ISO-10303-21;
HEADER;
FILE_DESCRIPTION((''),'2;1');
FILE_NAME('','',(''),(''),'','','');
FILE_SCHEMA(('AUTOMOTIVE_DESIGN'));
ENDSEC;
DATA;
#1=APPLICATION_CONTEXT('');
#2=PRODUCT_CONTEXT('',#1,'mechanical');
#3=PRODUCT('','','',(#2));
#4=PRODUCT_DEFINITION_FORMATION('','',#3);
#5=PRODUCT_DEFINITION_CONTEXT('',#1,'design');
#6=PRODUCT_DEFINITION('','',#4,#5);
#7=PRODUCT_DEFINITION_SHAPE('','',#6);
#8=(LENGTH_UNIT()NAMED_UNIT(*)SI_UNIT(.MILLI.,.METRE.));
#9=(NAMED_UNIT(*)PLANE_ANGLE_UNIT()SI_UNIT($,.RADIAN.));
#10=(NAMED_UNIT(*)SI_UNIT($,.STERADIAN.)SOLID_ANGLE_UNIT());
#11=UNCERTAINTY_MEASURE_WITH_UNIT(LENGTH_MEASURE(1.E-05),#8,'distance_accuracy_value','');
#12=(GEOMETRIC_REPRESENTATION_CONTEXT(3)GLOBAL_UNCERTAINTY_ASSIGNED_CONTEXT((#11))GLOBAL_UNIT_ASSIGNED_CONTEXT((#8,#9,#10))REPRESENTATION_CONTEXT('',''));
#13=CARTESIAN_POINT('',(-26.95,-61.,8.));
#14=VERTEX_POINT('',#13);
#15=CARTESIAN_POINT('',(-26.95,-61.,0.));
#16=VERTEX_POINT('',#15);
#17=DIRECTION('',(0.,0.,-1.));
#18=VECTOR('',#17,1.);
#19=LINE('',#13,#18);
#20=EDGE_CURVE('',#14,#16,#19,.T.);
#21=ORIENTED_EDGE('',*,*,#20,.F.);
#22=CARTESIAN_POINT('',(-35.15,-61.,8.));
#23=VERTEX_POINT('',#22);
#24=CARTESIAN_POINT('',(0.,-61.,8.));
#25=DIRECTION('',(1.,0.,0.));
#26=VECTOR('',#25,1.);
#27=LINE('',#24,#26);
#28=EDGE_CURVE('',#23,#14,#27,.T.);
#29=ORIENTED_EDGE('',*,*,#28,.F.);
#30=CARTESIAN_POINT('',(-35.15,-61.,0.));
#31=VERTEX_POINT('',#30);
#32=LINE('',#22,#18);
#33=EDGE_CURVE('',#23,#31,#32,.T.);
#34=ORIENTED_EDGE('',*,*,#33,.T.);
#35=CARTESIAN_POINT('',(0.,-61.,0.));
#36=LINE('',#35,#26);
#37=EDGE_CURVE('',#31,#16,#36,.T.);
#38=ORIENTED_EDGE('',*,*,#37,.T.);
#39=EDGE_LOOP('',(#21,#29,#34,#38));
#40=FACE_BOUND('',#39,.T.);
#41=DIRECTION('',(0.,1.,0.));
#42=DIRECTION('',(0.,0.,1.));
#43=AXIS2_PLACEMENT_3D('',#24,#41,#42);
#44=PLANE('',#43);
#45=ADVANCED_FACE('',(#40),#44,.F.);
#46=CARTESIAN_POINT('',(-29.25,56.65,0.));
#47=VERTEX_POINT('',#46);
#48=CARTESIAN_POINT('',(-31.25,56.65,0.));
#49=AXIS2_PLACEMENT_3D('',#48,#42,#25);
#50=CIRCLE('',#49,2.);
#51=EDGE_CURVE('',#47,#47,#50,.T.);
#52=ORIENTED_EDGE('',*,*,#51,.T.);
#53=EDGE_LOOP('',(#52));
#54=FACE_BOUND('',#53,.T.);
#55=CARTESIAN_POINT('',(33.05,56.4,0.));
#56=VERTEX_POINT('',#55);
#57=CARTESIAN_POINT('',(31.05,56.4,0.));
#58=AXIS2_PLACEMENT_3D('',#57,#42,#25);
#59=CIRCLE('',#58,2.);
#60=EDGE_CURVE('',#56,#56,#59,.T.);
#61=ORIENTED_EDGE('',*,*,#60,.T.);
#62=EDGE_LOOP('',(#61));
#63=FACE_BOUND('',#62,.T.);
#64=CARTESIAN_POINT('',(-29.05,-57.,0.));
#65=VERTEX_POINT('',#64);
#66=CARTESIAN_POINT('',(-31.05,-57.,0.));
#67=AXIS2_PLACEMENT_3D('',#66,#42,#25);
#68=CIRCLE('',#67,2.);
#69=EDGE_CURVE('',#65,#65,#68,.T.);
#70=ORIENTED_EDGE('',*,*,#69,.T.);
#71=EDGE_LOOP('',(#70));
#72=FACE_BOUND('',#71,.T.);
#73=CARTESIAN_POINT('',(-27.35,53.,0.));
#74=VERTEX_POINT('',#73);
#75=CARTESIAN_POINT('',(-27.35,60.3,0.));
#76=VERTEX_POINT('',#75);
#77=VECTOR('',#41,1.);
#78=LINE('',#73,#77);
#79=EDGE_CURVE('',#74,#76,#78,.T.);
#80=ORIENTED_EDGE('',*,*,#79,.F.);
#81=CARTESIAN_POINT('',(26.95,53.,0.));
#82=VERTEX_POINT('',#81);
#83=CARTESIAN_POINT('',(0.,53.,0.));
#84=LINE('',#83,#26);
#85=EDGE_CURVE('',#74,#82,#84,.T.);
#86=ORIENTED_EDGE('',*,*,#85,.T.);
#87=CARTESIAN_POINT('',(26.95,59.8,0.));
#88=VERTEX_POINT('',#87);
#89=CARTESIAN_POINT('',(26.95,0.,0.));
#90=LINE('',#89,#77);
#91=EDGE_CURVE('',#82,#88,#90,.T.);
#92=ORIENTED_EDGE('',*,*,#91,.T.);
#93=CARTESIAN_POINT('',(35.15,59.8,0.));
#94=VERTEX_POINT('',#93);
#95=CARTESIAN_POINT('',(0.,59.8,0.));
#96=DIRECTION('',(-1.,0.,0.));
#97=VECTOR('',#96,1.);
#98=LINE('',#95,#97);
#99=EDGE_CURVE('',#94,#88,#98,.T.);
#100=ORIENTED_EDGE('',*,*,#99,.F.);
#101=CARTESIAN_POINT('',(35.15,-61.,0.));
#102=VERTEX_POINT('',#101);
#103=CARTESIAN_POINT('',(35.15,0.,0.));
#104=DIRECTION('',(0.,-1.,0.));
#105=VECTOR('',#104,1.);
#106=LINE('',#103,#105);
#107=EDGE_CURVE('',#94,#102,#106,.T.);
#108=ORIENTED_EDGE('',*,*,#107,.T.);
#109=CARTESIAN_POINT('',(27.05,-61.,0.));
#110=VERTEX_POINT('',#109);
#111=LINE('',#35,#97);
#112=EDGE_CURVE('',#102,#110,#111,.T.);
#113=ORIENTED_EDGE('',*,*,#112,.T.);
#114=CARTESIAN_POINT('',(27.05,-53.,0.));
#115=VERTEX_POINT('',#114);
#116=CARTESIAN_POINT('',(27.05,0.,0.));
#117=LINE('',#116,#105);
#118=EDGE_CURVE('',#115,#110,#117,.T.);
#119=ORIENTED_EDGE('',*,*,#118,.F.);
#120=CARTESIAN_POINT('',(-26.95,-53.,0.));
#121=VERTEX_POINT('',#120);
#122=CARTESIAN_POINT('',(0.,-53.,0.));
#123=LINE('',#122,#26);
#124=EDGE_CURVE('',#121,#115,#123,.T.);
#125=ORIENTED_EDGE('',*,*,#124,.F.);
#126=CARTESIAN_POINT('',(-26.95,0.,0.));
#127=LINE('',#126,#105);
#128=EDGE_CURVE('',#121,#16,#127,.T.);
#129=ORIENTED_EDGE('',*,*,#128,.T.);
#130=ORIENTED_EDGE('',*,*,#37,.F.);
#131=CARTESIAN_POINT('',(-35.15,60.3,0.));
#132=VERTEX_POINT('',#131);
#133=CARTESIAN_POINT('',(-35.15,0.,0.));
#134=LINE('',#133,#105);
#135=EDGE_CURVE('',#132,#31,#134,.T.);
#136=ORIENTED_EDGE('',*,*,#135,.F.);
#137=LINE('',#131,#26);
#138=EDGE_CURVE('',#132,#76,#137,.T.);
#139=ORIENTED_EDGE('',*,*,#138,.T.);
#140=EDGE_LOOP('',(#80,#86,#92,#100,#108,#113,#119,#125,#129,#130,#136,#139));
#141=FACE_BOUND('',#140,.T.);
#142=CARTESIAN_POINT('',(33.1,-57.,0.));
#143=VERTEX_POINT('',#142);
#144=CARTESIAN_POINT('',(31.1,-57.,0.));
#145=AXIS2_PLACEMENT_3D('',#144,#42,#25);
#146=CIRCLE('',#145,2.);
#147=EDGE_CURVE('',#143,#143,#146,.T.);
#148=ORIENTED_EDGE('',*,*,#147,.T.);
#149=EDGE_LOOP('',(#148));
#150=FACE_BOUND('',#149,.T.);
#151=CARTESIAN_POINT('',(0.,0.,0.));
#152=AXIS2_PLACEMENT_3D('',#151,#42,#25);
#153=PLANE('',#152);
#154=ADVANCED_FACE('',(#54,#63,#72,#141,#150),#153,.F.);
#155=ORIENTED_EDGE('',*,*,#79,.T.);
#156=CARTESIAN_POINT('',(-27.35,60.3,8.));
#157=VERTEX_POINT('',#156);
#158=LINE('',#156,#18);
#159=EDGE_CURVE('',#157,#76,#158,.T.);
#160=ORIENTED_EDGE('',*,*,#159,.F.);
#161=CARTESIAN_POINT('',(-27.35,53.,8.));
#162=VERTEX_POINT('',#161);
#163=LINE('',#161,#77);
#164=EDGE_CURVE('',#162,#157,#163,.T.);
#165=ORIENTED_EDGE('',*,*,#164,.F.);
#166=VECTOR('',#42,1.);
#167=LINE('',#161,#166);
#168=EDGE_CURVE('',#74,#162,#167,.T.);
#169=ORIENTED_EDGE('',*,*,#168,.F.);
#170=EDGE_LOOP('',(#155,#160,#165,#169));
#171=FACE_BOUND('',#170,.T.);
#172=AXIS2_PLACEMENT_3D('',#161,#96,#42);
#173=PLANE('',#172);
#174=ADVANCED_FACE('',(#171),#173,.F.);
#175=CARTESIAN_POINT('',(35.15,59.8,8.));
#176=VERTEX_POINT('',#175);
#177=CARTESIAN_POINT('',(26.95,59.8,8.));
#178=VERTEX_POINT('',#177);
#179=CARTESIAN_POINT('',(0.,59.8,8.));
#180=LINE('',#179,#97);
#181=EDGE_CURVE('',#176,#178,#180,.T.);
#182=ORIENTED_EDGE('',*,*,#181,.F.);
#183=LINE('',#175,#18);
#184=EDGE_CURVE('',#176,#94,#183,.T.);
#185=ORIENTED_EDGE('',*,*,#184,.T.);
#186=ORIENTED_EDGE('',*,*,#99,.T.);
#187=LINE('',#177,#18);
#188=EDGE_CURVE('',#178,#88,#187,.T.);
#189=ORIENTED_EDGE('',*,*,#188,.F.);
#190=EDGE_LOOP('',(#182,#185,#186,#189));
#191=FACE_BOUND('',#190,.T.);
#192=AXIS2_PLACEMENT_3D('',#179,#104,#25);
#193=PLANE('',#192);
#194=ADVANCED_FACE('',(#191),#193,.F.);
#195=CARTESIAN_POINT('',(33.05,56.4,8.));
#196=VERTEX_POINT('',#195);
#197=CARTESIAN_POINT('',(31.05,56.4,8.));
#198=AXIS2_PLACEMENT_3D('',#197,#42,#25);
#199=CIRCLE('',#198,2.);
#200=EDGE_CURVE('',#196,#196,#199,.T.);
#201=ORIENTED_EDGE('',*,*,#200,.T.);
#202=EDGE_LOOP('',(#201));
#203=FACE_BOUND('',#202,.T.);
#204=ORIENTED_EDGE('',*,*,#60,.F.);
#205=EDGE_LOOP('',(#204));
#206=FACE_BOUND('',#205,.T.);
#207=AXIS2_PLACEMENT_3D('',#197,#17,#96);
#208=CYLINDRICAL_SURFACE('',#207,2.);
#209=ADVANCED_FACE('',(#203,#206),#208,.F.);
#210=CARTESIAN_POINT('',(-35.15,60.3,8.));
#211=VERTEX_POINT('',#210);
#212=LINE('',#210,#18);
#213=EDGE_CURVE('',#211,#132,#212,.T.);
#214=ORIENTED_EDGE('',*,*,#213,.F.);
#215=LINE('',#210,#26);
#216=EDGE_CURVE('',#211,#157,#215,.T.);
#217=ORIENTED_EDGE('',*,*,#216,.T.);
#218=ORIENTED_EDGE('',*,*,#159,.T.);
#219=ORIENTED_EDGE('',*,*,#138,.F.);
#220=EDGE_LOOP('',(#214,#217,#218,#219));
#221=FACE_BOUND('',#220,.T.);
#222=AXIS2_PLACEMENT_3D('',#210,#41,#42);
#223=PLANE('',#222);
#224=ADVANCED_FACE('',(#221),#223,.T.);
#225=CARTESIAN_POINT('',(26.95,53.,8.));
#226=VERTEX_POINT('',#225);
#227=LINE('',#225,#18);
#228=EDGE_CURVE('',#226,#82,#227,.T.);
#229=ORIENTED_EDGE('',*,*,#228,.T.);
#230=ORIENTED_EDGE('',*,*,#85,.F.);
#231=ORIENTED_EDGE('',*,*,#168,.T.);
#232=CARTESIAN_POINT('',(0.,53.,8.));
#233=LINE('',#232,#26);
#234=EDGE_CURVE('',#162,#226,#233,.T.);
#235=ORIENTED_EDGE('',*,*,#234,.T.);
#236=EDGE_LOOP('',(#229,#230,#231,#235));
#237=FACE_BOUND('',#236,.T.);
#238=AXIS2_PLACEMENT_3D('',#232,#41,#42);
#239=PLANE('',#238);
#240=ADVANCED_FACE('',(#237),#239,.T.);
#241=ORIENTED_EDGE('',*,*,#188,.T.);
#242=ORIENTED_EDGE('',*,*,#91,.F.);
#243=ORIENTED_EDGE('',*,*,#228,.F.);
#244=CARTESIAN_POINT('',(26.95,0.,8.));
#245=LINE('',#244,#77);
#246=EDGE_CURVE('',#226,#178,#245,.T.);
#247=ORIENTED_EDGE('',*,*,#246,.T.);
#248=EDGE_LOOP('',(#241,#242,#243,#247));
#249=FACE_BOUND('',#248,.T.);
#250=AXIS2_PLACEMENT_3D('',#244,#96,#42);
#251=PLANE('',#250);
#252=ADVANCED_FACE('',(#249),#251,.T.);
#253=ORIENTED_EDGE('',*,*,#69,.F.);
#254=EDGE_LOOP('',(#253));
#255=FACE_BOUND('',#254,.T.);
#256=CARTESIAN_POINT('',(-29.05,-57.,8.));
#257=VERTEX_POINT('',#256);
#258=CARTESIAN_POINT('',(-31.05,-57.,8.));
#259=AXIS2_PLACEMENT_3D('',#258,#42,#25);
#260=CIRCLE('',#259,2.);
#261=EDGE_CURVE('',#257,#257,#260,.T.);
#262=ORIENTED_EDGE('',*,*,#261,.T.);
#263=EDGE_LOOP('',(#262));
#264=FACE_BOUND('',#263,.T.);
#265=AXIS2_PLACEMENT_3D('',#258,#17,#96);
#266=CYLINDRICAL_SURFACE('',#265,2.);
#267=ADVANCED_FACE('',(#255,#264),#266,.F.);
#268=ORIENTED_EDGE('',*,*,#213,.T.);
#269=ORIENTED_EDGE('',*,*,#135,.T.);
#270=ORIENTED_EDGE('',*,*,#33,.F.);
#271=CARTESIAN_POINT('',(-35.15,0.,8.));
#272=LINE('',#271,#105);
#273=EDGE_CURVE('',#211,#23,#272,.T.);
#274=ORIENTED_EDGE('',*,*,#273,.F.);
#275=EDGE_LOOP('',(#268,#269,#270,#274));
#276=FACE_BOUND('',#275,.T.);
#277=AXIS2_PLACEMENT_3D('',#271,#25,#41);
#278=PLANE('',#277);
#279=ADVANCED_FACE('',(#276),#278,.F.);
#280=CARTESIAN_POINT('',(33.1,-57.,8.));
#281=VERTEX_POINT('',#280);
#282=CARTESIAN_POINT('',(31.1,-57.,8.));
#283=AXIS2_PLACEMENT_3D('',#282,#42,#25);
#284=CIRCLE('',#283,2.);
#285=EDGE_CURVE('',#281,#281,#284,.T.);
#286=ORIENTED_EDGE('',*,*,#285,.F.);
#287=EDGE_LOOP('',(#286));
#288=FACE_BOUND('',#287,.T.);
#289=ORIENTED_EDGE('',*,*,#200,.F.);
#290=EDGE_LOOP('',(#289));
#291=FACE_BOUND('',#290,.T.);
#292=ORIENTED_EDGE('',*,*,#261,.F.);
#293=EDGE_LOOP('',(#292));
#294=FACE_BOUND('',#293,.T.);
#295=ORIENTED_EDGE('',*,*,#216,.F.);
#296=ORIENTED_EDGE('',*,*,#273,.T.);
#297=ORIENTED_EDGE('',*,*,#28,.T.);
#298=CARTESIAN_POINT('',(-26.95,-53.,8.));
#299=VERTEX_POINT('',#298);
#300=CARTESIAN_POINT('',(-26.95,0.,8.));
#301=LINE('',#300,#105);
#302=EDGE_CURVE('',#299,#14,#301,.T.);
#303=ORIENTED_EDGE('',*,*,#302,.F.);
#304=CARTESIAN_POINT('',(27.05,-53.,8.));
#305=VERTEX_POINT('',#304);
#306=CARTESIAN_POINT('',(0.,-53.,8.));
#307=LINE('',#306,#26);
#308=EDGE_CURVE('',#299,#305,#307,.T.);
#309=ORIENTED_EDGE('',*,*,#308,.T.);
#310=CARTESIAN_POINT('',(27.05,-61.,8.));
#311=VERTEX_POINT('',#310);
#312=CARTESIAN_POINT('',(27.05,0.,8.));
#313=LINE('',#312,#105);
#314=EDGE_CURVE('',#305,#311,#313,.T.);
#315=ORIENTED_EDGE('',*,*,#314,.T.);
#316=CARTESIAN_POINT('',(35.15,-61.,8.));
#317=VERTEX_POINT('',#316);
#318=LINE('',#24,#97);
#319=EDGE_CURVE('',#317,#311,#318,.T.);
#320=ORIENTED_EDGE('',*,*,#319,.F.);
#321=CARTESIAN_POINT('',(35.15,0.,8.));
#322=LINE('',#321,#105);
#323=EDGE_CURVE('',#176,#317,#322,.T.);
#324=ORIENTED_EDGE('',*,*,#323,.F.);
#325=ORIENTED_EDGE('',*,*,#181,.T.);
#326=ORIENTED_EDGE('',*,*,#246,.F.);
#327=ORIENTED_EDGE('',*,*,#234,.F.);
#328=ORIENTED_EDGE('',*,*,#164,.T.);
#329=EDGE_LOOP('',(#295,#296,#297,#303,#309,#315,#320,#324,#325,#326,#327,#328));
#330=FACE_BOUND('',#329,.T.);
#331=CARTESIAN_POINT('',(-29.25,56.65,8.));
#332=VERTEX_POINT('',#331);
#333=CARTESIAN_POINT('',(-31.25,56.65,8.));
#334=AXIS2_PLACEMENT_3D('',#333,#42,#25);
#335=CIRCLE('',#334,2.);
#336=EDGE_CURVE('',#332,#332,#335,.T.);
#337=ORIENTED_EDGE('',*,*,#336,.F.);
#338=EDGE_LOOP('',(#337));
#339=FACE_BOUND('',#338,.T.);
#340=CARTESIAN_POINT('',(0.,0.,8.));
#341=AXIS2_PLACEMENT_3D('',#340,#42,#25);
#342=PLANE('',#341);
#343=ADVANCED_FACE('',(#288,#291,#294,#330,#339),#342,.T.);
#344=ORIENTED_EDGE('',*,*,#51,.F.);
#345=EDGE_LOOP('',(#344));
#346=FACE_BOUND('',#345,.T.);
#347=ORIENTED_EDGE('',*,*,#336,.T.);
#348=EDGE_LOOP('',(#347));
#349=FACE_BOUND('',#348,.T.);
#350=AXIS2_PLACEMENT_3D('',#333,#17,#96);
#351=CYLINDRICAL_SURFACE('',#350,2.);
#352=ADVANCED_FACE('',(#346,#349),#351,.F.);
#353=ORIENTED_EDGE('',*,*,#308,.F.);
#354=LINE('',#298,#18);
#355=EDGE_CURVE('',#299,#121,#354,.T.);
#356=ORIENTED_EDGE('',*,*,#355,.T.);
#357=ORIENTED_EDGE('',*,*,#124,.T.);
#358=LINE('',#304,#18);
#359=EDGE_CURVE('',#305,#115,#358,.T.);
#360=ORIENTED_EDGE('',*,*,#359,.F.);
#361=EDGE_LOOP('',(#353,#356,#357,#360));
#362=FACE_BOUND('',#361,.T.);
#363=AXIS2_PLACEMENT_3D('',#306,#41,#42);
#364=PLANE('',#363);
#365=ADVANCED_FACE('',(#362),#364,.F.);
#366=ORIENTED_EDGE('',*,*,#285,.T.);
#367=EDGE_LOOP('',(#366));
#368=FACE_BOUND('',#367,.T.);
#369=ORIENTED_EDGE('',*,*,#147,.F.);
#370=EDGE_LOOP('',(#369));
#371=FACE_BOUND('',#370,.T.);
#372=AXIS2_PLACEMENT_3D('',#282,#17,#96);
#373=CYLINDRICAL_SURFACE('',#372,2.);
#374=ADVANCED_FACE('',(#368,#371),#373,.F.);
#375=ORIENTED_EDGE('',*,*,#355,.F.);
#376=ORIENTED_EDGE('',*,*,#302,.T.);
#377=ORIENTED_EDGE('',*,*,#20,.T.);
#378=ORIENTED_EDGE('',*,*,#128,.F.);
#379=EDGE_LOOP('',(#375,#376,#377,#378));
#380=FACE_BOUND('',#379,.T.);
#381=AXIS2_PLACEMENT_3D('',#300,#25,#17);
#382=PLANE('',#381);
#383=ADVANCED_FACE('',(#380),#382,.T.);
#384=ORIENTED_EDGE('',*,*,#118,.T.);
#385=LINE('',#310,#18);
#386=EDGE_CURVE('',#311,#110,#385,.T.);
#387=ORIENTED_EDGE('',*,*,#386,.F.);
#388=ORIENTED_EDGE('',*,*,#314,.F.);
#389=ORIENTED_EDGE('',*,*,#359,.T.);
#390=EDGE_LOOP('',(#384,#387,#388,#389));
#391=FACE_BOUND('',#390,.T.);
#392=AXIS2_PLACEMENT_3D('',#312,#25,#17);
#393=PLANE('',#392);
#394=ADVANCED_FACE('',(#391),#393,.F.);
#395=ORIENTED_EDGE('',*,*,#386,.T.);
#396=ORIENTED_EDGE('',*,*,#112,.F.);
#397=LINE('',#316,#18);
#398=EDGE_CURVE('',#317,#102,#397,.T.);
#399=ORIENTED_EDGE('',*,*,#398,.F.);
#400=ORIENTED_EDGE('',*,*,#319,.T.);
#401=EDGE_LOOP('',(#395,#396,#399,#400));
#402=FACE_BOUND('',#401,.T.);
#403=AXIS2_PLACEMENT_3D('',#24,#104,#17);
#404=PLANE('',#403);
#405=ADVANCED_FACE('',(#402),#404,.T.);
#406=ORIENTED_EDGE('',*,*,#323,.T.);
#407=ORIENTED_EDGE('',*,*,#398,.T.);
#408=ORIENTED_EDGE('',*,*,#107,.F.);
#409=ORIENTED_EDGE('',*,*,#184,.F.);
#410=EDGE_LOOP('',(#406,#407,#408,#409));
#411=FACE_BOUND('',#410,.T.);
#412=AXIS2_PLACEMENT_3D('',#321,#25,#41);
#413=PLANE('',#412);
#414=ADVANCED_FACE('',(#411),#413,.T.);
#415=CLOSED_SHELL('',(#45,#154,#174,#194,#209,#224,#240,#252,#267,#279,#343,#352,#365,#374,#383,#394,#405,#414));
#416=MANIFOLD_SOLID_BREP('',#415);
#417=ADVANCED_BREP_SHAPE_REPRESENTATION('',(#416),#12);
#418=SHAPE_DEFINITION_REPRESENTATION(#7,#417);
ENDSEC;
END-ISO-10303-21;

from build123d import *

# Parameters (mm, degrees)
SKETCH1_W           = 7.8
SKETCH1_H           = 7.3
SKETCH1_R           = 2
SKETCH1_W_2         = 8.2
SKETCH1_H_2         = 8
SKETCH1_H_3         = 6.8
SKETCH1_W_3         = 8.1
BOSS_EXTRUDE1_DEPTH = 8


with BuildPart() as part:
    # Sketch1 → Boss-Extrude1 (new body)
    # profile 1 of 5: a face of its own
    with BuildSketch(Plane.XY):
        with Locations((-31.25, 56.65)):
            Rectangle(SKETCH1_W, SKETCH1_H)
        with Locations((-31.25, 56.65)):
            Circle(SKETCH1_R, mode=Mode.SUBTRACT)
    # profile 2 of 5: a face of its own
    with BuildSketch(Plane.XY):
        Polygon((-27.35, 53), (-35.15, 53), (-35.15, -53), (-26.95, -53), (27.05, -53), (35.15, -53), (35.15, 53), (26.95, 53), align=None)
    # profile 3 of 5: a face of its own
    with BuildSketch(Plane.XY):
        with Locations((-31.05, -57)):
            Rectangle(SKETCH1_W_2, SKETCH1_H_2)
        with Locations((-31.05, -57)):
            Circle(SKETCH1_R, mode=Mode.SUBTRACT)
    # profile 4 of 5: a face of its own
    with BuildSketch(Plane.XY):
        with Locations((31.05, 56.4)):
            Rectangle(SKETCH1_W_2, SKETCH1_H_3)
        with Locations((31.05, 56.4)):
            Circle(SKETCH1_R, mode=Mode.SUBTRACT)
    # profile 5 of 5: a face of its own
    with BuildSketch(Plane.XY):
        with Locations((31.1, -57)):
            Rectangle(SKETCH1_W_3, SKETCH1_H_2)
        with Locations((31.1, -57)):
            Circle(SKETCH1_R, mode=Mode.SUBTRACT)
    extrude(amount=BOSS_EXTRUDE1_DEPTH)


solid = part.part
